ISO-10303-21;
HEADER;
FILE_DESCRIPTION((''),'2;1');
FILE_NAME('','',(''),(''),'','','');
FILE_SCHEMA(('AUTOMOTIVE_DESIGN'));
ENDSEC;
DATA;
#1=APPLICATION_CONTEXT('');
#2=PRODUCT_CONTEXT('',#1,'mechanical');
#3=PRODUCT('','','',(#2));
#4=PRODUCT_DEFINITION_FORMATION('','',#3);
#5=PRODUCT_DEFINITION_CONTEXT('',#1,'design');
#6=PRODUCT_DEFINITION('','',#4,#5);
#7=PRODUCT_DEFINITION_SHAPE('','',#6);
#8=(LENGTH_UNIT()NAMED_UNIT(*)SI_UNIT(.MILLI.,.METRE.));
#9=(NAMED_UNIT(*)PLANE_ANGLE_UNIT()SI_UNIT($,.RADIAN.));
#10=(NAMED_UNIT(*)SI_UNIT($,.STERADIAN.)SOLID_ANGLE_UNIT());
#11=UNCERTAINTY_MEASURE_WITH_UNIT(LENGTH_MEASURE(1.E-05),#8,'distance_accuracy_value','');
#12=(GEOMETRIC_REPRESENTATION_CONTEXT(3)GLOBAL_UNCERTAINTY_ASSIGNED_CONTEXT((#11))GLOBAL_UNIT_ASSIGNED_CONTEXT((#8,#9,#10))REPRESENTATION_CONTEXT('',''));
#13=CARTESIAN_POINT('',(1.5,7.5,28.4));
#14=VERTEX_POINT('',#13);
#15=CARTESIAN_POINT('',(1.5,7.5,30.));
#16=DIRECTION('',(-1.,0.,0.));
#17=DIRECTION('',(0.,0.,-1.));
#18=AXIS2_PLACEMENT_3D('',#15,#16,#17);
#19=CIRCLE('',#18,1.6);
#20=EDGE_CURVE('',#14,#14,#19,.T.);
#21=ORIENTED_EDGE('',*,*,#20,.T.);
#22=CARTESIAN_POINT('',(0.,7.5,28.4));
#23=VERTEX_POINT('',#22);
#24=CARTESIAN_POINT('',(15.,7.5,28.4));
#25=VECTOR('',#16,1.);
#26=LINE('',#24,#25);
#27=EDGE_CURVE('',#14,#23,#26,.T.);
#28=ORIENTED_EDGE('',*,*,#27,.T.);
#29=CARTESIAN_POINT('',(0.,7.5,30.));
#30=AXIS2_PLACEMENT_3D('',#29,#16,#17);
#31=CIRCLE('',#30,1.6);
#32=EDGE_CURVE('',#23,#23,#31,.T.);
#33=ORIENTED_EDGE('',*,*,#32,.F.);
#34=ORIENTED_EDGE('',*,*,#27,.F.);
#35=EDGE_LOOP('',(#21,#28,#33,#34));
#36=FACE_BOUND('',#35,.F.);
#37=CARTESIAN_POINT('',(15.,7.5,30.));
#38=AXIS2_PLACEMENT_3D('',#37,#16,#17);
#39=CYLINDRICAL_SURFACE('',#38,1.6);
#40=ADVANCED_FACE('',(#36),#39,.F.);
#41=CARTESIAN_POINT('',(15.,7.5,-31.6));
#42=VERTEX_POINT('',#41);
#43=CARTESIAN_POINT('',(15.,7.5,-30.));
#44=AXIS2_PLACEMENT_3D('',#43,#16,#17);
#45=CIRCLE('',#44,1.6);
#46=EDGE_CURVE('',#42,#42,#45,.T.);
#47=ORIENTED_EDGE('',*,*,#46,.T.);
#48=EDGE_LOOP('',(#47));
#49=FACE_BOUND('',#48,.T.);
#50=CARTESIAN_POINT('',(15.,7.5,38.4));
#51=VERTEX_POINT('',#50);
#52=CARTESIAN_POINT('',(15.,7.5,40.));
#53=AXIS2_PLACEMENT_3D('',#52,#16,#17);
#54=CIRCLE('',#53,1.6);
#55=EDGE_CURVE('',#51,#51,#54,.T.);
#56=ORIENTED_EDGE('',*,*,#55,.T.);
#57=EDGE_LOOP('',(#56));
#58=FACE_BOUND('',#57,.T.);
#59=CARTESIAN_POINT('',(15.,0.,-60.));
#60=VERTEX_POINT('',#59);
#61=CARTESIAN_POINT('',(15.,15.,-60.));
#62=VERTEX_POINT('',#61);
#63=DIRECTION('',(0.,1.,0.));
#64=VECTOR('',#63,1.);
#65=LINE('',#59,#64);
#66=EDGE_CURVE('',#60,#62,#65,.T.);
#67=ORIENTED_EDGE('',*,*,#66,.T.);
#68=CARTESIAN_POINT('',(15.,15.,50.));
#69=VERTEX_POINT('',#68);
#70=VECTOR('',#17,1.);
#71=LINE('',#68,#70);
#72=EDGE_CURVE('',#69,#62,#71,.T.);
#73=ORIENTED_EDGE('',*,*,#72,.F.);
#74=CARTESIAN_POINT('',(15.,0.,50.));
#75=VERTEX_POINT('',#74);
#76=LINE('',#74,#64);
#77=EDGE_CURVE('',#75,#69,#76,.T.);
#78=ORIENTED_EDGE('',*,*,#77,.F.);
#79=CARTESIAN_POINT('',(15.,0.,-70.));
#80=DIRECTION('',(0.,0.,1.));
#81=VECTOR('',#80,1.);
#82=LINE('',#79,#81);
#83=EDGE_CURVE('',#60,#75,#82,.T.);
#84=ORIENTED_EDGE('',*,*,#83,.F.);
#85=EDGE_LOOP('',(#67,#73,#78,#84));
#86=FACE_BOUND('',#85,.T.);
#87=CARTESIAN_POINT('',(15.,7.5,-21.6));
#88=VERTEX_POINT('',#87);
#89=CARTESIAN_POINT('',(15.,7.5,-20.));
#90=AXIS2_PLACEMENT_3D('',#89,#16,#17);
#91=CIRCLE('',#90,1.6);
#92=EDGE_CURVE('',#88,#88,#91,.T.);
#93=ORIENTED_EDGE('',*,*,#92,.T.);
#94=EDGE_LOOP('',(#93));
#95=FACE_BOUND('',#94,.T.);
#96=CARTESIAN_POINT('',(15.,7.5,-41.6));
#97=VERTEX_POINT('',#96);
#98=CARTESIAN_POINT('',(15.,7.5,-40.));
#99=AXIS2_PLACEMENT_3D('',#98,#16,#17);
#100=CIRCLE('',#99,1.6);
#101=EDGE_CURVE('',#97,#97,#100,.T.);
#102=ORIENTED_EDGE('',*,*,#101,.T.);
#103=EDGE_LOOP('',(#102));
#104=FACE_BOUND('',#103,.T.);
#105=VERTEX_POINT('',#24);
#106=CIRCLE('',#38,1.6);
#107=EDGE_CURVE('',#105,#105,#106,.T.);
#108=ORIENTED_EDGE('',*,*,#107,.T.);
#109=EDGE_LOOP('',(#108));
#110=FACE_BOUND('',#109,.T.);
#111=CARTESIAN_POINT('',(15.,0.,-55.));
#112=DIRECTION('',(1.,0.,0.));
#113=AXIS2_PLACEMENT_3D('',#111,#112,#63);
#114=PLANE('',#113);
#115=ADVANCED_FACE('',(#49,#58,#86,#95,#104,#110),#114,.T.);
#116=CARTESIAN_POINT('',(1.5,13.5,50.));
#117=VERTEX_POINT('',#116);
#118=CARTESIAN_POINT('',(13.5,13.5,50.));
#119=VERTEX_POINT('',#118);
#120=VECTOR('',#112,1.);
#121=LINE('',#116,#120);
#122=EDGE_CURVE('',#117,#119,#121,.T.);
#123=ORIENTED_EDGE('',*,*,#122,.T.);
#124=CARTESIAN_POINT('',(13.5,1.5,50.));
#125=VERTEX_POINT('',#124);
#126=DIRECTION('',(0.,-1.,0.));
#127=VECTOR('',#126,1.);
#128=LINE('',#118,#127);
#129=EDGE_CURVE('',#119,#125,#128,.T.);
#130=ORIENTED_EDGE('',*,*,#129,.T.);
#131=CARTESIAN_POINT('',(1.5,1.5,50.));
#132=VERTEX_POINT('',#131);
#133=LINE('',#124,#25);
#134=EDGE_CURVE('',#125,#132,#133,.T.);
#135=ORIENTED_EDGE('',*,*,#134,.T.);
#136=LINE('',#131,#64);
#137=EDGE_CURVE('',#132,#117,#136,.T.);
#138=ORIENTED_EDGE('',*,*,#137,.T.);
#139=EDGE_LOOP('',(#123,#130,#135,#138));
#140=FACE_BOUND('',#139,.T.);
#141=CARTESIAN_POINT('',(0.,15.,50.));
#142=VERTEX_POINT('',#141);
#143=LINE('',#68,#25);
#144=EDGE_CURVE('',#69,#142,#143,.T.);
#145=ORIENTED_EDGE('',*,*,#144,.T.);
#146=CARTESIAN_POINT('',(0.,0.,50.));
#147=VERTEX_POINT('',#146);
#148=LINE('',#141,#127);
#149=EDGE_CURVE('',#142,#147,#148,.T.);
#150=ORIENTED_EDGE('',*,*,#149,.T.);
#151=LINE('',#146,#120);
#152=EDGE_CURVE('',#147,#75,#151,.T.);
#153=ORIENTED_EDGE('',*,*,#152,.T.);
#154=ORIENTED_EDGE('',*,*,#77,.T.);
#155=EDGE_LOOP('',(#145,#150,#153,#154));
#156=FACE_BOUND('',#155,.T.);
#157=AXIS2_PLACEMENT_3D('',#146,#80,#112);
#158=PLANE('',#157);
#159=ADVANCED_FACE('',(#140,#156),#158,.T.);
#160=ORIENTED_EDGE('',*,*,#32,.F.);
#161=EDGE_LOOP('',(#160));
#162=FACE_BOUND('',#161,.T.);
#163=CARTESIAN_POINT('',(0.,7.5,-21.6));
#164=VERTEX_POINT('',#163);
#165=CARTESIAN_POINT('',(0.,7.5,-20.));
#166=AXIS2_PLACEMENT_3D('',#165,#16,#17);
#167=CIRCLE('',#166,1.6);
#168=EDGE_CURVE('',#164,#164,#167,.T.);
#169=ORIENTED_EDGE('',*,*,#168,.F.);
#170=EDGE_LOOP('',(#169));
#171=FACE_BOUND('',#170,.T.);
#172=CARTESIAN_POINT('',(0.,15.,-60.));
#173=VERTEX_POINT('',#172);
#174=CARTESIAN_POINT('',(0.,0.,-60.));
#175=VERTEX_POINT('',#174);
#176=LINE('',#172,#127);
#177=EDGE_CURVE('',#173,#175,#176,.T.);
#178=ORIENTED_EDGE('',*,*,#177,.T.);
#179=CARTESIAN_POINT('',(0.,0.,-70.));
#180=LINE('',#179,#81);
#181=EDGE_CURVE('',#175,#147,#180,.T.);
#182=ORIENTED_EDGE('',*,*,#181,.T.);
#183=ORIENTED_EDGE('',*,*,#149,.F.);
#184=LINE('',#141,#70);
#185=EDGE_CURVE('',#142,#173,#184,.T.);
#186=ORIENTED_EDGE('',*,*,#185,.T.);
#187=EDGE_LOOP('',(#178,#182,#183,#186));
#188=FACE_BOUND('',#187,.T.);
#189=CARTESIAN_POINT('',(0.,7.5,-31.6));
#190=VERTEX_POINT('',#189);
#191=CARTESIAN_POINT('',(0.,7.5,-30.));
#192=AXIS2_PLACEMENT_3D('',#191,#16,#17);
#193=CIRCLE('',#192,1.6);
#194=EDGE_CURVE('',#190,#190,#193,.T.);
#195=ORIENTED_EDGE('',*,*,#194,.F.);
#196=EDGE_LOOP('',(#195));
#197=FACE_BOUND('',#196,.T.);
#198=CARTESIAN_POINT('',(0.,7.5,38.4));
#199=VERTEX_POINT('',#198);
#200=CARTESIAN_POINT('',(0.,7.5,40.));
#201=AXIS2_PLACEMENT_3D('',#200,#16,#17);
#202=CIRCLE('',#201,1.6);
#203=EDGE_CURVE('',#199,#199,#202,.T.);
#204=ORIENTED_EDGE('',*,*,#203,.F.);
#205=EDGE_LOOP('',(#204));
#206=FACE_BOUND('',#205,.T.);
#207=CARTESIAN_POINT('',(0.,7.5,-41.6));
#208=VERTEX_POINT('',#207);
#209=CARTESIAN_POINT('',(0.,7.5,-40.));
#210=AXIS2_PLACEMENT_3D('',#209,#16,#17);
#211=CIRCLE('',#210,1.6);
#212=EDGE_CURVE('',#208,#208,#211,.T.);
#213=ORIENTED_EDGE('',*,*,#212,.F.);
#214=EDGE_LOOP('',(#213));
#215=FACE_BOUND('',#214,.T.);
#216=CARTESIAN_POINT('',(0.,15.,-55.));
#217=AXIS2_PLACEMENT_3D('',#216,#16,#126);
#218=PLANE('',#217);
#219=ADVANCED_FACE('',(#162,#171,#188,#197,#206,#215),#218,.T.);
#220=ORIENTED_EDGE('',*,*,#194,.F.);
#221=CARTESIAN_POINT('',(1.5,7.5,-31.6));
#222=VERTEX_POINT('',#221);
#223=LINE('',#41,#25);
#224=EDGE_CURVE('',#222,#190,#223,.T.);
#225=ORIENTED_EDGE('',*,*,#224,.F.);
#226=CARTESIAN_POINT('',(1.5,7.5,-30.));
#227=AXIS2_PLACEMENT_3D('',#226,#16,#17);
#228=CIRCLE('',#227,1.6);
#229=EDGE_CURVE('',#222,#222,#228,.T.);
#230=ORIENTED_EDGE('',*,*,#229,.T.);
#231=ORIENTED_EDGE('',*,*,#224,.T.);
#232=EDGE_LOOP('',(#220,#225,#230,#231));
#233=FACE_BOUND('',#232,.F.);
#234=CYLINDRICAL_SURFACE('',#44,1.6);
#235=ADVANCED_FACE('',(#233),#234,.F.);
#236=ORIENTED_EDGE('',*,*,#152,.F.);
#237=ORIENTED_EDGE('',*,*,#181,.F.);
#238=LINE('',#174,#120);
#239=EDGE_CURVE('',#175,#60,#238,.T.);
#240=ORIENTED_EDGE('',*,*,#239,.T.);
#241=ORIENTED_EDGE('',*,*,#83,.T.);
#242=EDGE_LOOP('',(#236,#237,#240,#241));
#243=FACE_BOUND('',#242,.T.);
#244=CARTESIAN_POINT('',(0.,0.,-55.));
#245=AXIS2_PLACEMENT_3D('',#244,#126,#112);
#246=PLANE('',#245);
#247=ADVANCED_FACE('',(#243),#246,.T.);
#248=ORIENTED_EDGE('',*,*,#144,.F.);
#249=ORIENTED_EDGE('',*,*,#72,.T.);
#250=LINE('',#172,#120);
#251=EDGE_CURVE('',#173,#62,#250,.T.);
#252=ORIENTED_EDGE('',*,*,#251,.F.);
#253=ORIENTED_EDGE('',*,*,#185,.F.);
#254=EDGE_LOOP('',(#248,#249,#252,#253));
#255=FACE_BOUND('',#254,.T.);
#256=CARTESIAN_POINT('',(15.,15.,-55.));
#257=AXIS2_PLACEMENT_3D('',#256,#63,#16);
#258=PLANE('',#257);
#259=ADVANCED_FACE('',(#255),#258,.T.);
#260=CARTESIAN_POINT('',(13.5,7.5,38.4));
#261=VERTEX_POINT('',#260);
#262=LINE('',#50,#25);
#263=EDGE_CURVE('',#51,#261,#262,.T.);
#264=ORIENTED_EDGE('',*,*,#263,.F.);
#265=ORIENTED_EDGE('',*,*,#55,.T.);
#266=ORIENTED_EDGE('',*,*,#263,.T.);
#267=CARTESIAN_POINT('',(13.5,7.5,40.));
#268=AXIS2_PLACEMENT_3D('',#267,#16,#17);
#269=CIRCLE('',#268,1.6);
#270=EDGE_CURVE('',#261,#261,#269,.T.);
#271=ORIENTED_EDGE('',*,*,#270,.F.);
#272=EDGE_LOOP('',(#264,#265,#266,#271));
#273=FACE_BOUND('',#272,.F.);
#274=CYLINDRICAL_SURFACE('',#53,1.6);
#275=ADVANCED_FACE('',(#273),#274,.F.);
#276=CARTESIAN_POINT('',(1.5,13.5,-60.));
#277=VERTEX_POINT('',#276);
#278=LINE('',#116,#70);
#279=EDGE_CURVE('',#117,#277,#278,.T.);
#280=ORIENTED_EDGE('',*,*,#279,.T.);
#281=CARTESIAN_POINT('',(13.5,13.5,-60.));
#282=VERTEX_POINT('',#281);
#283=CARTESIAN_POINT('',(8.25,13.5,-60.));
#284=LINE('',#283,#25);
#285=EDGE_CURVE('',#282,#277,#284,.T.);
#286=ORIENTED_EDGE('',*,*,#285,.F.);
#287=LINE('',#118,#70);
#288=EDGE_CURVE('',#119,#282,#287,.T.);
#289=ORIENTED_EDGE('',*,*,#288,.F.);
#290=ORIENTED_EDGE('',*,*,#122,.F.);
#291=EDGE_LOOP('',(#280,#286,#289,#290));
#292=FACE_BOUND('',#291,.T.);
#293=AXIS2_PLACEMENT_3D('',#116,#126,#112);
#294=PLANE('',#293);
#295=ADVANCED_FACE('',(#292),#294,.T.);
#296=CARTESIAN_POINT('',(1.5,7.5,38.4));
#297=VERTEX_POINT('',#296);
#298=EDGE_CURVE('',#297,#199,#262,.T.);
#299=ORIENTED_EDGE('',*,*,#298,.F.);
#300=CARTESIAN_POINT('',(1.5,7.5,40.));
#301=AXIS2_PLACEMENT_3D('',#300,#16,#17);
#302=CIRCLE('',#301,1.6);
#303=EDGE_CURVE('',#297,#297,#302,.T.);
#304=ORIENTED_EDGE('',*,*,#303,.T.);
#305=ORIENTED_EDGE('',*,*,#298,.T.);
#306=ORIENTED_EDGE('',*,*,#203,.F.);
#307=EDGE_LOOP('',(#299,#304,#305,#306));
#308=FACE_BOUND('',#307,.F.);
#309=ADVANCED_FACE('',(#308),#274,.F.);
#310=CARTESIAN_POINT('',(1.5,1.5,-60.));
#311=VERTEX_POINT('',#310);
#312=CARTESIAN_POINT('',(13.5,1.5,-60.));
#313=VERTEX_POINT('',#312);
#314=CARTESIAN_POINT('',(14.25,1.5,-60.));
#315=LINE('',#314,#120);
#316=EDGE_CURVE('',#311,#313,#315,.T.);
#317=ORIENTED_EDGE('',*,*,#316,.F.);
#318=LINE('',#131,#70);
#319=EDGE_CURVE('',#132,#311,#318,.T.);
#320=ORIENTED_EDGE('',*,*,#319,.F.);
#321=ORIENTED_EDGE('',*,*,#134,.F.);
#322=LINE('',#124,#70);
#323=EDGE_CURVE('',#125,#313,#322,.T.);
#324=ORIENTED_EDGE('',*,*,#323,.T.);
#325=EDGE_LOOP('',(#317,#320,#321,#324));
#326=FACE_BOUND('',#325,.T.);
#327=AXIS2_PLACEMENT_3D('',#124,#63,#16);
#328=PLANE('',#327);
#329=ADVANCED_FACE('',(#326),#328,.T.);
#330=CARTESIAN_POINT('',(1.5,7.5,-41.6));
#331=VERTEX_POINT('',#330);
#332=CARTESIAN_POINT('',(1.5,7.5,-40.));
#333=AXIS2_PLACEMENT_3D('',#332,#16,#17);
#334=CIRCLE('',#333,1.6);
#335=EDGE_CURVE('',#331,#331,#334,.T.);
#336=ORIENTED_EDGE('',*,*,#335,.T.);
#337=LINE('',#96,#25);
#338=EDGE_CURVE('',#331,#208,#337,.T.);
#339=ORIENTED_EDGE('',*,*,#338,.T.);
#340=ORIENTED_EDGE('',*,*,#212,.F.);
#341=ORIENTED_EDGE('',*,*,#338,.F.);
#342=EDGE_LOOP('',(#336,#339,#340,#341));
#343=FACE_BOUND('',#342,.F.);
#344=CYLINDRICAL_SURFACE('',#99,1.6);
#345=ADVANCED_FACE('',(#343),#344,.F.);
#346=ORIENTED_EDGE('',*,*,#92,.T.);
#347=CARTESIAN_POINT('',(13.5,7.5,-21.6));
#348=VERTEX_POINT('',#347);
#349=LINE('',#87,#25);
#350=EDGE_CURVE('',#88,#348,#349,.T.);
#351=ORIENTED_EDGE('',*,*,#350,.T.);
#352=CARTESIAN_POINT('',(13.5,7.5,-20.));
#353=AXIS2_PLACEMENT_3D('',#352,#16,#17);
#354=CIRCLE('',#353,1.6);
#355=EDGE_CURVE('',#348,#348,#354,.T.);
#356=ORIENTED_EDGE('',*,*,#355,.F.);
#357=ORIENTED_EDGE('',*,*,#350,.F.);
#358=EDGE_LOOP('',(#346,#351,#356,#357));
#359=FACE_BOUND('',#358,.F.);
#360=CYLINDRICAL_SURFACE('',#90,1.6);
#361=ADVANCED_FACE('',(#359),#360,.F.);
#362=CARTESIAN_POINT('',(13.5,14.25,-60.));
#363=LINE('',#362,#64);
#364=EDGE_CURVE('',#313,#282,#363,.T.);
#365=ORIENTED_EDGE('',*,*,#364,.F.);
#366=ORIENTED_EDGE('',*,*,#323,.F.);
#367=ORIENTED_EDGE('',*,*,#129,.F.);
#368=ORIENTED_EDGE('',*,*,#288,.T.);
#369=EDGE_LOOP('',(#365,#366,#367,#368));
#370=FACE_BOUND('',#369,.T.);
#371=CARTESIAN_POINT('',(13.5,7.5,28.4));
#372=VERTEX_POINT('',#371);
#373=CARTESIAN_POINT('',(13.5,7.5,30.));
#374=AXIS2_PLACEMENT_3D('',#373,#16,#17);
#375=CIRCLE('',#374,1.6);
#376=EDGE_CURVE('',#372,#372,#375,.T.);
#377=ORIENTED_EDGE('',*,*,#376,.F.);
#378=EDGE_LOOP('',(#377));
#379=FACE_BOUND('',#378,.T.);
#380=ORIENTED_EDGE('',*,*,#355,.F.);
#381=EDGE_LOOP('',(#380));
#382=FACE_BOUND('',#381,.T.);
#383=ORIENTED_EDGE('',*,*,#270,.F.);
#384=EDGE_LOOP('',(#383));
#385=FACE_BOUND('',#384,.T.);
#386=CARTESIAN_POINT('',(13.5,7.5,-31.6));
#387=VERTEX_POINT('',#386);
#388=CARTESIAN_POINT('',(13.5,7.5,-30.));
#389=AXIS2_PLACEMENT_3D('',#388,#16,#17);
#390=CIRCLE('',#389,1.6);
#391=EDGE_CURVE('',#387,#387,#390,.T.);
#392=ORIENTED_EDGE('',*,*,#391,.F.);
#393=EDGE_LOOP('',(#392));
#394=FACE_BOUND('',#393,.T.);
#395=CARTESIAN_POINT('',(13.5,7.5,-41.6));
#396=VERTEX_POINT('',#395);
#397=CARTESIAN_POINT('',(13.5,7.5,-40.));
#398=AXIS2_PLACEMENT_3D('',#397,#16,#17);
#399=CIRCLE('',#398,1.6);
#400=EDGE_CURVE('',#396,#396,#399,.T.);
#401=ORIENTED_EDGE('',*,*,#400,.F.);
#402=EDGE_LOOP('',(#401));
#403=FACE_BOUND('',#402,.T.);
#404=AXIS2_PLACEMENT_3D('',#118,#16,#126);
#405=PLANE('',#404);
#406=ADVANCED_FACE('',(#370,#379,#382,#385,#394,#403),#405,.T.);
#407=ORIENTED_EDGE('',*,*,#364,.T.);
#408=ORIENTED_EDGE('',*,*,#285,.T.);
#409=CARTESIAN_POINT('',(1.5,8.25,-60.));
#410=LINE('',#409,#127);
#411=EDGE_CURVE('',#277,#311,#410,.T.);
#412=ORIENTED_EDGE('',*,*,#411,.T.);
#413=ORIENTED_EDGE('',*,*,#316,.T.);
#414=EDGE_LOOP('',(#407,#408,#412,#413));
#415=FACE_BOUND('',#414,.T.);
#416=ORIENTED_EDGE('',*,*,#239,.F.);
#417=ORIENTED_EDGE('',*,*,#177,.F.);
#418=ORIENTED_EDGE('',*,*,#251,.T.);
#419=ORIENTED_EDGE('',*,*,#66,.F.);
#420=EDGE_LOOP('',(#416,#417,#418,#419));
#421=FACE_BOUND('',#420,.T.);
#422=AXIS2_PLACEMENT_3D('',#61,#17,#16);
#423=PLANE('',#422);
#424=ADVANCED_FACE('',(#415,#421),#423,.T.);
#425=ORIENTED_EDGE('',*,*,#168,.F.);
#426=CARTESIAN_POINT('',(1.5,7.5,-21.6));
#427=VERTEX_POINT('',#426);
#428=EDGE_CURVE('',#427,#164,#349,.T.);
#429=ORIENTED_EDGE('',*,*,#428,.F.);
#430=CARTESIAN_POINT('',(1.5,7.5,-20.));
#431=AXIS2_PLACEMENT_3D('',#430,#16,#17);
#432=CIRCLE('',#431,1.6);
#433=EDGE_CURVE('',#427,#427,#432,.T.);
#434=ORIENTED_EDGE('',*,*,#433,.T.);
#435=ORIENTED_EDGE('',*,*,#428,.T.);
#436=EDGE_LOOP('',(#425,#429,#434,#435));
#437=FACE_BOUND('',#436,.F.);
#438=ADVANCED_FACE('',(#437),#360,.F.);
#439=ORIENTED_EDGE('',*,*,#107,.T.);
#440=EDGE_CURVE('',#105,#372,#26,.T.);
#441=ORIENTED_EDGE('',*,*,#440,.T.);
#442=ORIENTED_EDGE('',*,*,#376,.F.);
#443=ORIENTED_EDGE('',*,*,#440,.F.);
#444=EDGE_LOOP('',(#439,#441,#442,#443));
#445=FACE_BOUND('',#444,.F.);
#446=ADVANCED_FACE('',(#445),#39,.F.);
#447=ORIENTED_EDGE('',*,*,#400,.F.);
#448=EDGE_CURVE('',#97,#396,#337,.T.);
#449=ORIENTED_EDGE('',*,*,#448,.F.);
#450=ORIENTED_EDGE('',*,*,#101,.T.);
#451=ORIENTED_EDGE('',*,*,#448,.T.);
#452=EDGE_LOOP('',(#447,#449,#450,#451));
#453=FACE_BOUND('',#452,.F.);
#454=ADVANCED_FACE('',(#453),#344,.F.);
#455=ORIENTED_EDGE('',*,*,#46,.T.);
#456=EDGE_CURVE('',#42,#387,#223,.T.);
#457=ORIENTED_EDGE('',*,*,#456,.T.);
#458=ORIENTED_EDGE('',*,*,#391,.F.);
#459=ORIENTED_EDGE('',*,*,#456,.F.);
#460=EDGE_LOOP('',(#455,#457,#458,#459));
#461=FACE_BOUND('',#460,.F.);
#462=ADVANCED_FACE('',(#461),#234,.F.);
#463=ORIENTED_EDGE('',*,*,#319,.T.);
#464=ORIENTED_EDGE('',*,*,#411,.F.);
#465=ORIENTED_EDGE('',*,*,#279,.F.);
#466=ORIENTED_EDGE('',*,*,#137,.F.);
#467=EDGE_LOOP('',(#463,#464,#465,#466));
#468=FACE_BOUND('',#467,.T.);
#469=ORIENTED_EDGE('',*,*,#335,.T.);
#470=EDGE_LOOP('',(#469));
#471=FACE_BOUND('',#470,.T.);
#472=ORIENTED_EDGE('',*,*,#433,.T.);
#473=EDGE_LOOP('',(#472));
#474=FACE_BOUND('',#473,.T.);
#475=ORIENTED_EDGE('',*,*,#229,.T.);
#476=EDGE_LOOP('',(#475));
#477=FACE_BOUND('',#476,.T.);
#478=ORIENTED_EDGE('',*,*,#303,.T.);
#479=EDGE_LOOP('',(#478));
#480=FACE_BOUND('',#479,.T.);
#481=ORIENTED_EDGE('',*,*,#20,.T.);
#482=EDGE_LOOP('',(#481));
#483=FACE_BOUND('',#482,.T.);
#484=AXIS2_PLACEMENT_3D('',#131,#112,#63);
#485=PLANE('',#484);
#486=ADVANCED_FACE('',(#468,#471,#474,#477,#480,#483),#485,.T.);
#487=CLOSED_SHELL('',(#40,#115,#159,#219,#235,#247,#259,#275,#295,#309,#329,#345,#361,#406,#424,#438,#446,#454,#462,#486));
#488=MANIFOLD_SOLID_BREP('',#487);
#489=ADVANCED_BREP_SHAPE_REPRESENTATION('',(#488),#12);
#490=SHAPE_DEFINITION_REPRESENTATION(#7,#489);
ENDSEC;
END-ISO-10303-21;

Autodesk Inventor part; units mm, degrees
ref_plane "YZ Plane" through (0, 0, 0) normal (1, 0, 0) x (0, 1, 0)
ref_plane "XZ Plane" through (0, 0, 0) normal (0, 1, 0) x (-1, 0, 0)
ref_plane "XY Plane" through (0, 0, 0) normal (0, 0, 1) x (1, 0, 0)
sketch "スケッチ1" plane through (0, 0, 0) normal (0, 0, 1) x (1, 0, 0)
  line L0 (0, 0) -> (15, 0)
  line L1 (15, 0) -> (15, 15)
  line L2 (15, 15) -> (0, 15)
  line L3 (0, 15) -> (0, 0)
  dimension "d0" = 15
  dimension "d1" = 15
extrude "押し出し1" add sketch "スケッチ1" along normal blind 50
sketch "スケッチ3" plane through (0, 0, 0) normal (0, 0, -1) x (-1, 0, 0)
  line L0 (0, 15) -> (0, 0) projected
  line L1 (0, 0) -> (-15, 0)
  line L2 (-15, 0) -> (-15, 15)
  line L3 (-15, 15) -> (0, 15)
  line L4 (0, 15) -> (0, 0)
  dimension "d21" = 15
  dimension "d22" = 15
extrude "押し出し2" add sketch "スケッチ3" along normal blind 135
sketch "スケッチ4" plane through (0, 15, 50) normal (0, 1, 0) x (1, 0, 0)
  line L0 (15, 0) -> (15, 185) projected
  line L1 (15, 185) -> (0, 185)
  line L2 (0, 185) -> (0, 105)
  line L3 (0, 105) -> (15, 105)
  line L4 (15, 105) -> (15, 185)
  point P0 (0, 50)
  dimension "d25" = 15
  dimension "d26" = 80
extrude "押し出し3" cut sketch "スケッチ4" against normal blind 135
sketch "スケッチ5" plane through (15, 15, -55) normal (0, 0, -1) x (-1, 0, 0)
  line L0 (15, 0) -> (15, -15) projected
  line L1 (0, -15) -> (0, 0) projected
  line L2 (15, -15) -> (0, -15)
  line L3 (0, -15) -> (0, 0)
  line L4 (0, 0) -> (15, 0)
  line L5 (15, 0) -> (15, -15)
extrude "押し出し4" add sketch "スケッチ5" along normal blind 15
sketch "スケッチ8" plane through (15, 0, 50) normal (1, 0, 0) x (0, 0, -1)
  line L0 (120, 15) -> (120, 0) projected
  line L1 (120, 15) -> (0, 15) projected
  point P0 (50, 0)
  point P1 (90, 7.5)
  point P2 (80, 7.5)
  point P3 (70, 7.5)
  dimension "d54" = 30
  dimension "d55" = 7.5
  dimension "d56" = 7.5
  dimension "d57" = 7.5
  dimension "d58" = 10
  dimension "d59" = 10
hole "穴4" at (15, 7.5, -40) at (15, 7.5, -30) at (15, 7.5, -20) direction (-1, 0, 0) diameter 3.2 end through all
sketch "スケッチ9" plane through (15, 0, 50) normal (1, 0, 0) x (0, 0, -1)
  line L0 (0, 0) -> (0, 15) projected
  line L1 (0, 0) -> (120, 0) projected
  point P0 (50, 0)
  point P1 (10, 7.5)
  point P2 (20, 7.5)
  dimension "d67" = 10
  dimension "d68" = 10
  dimension "d69" = 7.5
  dimension "d70" = 7.5
hole "穴5" at (15, 7.5, 40) at (15, 7.5, 30) direction (-1, 0, 0) diameter 3.2 end through all
sketch "スケッチ10" plane through (15, 15, -70) normal (0, 0, -1) x (-1, 0, 0)
  line L0 (15, 0) -> (0, 0) projected
  line L1 (15, -15) -> (0, -15)
  line L2 (0, -15) -> (0, 0)
  line L3 (0, 0) -> (15, 0)
  line L4 (15, 0) -> (15, -15)
extrude "押し出し5" cut sketch "スケッチ10" against normal blind 10
sketch "スケッチ11" plane through (0, 0, 50) normal (0, 0, 1) x (1, 0, 0)
  line L0 (1.5, 13.5) -> (13.5, 13.5)
  line L1 (13.5, 13.5) -> (13.5, 1.5)
  line L2 (13.5, 1.5) -> (1.5, 1.5)
  line L3 (1.5, 1.5) -> (1.5, 13.5)
  line L4 (15, 15) -> (0, 15) projected
  line L5 (0, 15) -> (0, 0) projected
  dimension "d80" = 12
  dimension "d81" = 12
  dimension "d82" = 1.5
  dimension "d83" = 1.5
extrude "押し出し6" cut sketch "スケッチ11" against normal blind 140
properties part number "射出_角柱6" material "アルミニウム 6061"
